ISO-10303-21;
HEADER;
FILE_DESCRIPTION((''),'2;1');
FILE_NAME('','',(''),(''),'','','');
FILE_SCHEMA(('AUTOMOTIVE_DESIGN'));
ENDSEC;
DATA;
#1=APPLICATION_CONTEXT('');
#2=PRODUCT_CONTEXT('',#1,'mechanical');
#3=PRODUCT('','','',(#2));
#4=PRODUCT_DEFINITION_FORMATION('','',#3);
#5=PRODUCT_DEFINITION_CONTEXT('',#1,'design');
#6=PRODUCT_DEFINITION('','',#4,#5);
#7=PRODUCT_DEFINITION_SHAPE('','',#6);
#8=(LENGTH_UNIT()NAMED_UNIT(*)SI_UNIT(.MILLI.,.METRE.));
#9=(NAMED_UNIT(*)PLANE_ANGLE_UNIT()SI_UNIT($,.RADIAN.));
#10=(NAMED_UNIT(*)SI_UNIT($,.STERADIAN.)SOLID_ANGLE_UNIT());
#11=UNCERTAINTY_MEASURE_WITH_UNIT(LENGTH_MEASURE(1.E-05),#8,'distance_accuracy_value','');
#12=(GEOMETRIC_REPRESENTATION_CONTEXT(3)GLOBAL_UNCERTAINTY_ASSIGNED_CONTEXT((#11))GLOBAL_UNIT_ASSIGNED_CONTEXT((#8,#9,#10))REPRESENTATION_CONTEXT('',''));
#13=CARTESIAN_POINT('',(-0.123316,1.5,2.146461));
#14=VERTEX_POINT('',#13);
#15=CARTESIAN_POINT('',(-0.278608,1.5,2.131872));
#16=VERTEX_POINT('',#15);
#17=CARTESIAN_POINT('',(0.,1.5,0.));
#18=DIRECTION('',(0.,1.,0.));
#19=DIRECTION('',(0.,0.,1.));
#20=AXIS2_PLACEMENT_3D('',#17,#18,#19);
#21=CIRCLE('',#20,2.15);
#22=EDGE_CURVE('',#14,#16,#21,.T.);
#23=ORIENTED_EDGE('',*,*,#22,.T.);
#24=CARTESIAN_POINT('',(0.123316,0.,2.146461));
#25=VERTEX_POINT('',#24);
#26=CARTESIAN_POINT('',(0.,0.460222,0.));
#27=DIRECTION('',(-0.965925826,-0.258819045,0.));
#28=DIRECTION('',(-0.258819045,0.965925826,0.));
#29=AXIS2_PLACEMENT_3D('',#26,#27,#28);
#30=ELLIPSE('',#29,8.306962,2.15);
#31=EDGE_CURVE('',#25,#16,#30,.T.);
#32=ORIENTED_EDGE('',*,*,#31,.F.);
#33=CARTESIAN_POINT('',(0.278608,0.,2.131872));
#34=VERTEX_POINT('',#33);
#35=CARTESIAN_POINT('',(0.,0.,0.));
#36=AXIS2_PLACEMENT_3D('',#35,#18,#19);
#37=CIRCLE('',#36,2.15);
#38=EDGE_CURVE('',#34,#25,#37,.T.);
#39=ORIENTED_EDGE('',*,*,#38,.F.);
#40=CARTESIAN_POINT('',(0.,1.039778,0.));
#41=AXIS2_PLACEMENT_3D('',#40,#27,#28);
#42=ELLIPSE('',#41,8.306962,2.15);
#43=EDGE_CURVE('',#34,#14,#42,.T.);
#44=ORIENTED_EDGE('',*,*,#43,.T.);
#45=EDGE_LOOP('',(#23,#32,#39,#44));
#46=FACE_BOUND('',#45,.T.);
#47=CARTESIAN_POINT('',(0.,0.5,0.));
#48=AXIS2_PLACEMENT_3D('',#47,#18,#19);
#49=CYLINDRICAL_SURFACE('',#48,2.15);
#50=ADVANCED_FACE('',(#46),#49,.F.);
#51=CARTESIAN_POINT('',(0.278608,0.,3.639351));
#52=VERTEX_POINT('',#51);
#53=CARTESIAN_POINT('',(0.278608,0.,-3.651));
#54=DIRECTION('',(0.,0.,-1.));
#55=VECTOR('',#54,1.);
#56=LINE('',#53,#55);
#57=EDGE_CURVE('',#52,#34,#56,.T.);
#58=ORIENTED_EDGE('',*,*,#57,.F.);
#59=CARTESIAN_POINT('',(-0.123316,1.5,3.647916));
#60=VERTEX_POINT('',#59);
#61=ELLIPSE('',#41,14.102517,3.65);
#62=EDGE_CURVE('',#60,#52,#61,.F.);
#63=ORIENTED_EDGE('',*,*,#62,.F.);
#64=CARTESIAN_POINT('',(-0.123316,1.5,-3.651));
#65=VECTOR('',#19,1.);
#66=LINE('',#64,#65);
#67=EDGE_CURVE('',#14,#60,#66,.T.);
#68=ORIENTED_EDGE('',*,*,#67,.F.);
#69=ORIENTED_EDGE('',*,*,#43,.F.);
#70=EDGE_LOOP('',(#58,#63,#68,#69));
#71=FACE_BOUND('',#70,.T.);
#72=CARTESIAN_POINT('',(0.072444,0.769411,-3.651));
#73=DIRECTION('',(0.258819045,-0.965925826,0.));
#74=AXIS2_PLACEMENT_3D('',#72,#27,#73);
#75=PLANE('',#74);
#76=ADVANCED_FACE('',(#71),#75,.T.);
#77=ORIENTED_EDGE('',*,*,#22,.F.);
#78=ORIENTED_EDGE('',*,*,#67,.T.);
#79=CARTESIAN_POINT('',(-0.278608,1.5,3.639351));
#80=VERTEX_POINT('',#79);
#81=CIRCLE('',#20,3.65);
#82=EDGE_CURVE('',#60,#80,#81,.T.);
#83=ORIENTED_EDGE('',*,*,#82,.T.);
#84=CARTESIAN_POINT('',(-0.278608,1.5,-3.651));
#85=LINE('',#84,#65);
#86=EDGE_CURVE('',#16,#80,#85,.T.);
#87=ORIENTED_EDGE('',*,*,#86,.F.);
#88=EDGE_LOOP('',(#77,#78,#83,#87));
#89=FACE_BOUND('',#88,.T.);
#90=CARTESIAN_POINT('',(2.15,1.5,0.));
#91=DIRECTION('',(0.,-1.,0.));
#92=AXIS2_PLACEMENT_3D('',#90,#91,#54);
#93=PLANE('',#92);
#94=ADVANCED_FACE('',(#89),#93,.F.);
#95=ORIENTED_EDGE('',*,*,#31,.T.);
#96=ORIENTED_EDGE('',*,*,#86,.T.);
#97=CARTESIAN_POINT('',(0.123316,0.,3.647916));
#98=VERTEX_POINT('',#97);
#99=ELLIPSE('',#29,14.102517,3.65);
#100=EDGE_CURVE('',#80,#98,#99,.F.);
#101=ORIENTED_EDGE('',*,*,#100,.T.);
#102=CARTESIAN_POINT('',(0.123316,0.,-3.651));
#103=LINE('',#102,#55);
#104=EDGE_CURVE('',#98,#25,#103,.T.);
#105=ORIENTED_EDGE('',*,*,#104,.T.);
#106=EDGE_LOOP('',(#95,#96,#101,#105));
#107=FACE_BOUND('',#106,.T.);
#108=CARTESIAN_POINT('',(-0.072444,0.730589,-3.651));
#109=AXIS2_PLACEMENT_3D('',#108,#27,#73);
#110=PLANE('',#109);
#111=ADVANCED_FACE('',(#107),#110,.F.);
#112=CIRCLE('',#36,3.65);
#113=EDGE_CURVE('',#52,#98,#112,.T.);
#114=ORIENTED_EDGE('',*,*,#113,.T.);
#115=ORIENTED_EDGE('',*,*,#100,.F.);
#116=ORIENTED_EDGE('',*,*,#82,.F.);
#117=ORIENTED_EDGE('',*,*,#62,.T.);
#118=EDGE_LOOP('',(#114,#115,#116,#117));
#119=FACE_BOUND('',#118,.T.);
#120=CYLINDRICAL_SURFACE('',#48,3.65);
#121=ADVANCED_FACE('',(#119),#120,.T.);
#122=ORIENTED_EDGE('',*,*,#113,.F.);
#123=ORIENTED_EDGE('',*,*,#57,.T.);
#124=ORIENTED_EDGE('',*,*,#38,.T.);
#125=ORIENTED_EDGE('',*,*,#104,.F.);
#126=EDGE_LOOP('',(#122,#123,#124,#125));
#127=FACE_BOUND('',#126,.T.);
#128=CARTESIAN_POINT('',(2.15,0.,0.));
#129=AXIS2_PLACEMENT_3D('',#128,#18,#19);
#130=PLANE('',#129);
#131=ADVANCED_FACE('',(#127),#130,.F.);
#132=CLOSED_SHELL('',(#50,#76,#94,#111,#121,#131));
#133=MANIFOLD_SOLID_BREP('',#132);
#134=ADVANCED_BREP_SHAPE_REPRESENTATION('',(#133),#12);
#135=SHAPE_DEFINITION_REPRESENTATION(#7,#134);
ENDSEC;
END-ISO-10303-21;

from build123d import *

# Parameters (mm, degrees)
ESQUISSE1_W      = 1.5
ESQUISSE1_H      = 1.5
FENTE_REACH      = 10.298
FENTE_END_RADIUS = 2.15


with BuildPart() as part:
    # Esquisse1 → Base (revolve)
    with BuildSketch(Plane.XY, mode=Mode.PRIVATE) as base_sk:
        with Locations((2.9, 0.75)):
            Rectangle(ESQUISSE1_W, ESQUISSE1_H)
    revolve(base_sk.sketch.rotate(Axis((0, 0.5, 0), (0, -1, 0)), 90), axis=Axis((0, 0.5, 0), (0, -1, 0)))

    # Fente: up to this cylinder (the profile starts outside it)
    fente_end = Plane(origin=(0, 0.75, 0), z_dir=(0, 1, 0)) * Cylinder(FENTE_END_RADIUS, 25.896, mode=Mode.PRIVATE)
    # Esquisse2 → Fente (cut, up to the surface)
    with BuildSketch(Plane.XY.offset(3.65), mode=Mode.PRIVATE) as fente_sk1:
        Polygon((-0.474368226, 2.230588572), (-0.072444437, 0.730588572), (0.329479352, -0.769411428), (0.474368226, -0.730588572), (0.072444437, 0.769411428), (-0.329479352, 2.269411428), align=None)
    fente_tool1 = extrude(fente_sk1.sketch, amount=-FENTE_REACH, mode=Mode.PRIVATE) - fente_end
    add(fente_tool1.solids().sort_by_distance((0, 0.75, 3.65))[0], mode=Mode.SUBTRACT)


solid = part.part
